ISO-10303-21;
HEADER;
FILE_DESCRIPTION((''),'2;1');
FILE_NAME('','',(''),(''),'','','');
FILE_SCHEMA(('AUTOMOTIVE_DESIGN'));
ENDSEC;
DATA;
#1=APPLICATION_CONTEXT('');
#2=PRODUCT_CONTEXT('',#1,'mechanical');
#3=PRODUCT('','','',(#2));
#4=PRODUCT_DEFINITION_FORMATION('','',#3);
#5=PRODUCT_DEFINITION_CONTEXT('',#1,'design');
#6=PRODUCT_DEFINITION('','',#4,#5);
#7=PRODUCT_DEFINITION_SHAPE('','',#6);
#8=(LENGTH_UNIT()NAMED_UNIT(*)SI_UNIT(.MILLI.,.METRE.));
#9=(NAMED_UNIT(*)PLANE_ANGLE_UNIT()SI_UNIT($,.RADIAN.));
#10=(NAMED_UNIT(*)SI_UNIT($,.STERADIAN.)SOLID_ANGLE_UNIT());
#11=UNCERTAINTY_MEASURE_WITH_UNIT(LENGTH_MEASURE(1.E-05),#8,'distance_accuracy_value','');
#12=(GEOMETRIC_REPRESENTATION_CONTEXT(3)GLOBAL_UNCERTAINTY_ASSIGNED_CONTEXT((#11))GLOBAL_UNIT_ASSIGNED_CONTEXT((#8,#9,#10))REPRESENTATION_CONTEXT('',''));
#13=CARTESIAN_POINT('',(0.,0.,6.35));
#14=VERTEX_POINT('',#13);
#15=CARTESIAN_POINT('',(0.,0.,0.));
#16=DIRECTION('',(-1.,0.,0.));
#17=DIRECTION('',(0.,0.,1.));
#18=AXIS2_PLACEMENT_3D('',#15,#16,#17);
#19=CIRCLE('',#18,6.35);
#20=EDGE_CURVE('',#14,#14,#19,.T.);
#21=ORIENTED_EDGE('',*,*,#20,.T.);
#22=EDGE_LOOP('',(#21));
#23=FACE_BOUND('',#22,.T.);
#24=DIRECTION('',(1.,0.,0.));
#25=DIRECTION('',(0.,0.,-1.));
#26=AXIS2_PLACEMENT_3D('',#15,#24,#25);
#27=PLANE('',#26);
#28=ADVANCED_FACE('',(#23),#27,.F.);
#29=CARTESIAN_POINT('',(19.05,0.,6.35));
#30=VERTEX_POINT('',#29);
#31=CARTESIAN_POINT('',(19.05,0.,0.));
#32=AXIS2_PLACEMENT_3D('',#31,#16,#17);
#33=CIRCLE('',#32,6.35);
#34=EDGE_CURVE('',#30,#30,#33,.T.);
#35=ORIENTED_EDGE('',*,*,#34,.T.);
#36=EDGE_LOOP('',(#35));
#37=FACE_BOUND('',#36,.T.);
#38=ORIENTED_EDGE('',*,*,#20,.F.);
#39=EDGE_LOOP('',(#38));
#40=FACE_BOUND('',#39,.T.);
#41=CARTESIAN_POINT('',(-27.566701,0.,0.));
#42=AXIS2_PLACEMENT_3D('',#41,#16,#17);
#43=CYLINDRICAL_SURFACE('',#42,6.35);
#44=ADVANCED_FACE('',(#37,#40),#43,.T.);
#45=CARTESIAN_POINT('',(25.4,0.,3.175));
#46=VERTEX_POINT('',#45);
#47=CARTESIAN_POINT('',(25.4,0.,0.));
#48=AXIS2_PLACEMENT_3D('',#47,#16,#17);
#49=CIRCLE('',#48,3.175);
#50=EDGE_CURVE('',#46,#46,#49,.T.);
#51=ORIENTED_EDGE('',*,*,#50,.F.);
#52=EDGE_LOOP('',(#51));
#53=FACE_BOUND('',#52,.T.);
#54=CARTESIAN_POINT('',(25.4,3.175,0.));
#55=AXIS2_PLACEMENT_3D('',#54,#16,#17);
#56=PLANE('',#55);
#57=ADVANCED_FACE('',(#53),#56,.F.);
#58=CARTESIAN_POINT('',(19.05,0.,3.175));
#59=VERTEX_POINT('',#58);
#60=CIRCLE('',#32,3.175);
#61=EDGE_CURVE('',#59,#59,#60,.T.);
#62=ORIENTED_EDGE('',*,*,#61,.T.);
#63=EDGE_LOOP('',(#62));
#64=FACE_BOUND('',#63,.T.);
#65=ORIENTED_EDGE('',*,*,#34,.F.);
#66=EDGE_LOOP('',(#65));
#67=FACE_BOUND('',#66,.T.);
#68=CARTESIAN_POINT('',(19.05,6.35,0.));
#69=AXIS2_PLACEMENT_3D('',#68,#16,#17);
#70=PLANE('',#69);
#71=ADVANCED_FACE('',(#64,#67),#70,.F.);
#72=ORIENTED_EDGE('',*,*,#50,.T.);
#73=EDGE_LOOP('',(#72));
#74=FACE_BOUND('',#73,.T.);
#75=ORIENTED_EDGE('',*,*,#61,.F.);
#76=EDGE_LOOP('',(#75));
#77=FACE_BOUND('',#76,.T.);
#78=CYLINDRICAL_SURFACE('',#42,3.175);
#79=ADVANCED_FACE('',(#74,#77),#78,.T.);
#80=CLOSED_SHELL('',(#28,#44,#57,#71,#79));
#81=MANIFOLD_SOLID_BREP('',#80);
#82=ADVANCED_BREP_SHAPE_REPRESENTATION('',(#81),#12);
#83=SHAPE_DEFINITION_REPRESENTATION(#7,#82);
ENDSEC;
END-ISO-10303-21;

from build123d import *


with BuildPart() as part:
    # Sketch1 → Revolve1 (revolve)
    with BuildSketch(Plane.XY):
        Polygon((0, 0), (0, 6.35), (19.05, 6.35), (19.05, 3.175), (25.4, 3.175), (25.4, 0), align=None)
    revolve(axis=Axis((-27.566700925, 0, 0), (1, 0, 0)))


solid = part.part
